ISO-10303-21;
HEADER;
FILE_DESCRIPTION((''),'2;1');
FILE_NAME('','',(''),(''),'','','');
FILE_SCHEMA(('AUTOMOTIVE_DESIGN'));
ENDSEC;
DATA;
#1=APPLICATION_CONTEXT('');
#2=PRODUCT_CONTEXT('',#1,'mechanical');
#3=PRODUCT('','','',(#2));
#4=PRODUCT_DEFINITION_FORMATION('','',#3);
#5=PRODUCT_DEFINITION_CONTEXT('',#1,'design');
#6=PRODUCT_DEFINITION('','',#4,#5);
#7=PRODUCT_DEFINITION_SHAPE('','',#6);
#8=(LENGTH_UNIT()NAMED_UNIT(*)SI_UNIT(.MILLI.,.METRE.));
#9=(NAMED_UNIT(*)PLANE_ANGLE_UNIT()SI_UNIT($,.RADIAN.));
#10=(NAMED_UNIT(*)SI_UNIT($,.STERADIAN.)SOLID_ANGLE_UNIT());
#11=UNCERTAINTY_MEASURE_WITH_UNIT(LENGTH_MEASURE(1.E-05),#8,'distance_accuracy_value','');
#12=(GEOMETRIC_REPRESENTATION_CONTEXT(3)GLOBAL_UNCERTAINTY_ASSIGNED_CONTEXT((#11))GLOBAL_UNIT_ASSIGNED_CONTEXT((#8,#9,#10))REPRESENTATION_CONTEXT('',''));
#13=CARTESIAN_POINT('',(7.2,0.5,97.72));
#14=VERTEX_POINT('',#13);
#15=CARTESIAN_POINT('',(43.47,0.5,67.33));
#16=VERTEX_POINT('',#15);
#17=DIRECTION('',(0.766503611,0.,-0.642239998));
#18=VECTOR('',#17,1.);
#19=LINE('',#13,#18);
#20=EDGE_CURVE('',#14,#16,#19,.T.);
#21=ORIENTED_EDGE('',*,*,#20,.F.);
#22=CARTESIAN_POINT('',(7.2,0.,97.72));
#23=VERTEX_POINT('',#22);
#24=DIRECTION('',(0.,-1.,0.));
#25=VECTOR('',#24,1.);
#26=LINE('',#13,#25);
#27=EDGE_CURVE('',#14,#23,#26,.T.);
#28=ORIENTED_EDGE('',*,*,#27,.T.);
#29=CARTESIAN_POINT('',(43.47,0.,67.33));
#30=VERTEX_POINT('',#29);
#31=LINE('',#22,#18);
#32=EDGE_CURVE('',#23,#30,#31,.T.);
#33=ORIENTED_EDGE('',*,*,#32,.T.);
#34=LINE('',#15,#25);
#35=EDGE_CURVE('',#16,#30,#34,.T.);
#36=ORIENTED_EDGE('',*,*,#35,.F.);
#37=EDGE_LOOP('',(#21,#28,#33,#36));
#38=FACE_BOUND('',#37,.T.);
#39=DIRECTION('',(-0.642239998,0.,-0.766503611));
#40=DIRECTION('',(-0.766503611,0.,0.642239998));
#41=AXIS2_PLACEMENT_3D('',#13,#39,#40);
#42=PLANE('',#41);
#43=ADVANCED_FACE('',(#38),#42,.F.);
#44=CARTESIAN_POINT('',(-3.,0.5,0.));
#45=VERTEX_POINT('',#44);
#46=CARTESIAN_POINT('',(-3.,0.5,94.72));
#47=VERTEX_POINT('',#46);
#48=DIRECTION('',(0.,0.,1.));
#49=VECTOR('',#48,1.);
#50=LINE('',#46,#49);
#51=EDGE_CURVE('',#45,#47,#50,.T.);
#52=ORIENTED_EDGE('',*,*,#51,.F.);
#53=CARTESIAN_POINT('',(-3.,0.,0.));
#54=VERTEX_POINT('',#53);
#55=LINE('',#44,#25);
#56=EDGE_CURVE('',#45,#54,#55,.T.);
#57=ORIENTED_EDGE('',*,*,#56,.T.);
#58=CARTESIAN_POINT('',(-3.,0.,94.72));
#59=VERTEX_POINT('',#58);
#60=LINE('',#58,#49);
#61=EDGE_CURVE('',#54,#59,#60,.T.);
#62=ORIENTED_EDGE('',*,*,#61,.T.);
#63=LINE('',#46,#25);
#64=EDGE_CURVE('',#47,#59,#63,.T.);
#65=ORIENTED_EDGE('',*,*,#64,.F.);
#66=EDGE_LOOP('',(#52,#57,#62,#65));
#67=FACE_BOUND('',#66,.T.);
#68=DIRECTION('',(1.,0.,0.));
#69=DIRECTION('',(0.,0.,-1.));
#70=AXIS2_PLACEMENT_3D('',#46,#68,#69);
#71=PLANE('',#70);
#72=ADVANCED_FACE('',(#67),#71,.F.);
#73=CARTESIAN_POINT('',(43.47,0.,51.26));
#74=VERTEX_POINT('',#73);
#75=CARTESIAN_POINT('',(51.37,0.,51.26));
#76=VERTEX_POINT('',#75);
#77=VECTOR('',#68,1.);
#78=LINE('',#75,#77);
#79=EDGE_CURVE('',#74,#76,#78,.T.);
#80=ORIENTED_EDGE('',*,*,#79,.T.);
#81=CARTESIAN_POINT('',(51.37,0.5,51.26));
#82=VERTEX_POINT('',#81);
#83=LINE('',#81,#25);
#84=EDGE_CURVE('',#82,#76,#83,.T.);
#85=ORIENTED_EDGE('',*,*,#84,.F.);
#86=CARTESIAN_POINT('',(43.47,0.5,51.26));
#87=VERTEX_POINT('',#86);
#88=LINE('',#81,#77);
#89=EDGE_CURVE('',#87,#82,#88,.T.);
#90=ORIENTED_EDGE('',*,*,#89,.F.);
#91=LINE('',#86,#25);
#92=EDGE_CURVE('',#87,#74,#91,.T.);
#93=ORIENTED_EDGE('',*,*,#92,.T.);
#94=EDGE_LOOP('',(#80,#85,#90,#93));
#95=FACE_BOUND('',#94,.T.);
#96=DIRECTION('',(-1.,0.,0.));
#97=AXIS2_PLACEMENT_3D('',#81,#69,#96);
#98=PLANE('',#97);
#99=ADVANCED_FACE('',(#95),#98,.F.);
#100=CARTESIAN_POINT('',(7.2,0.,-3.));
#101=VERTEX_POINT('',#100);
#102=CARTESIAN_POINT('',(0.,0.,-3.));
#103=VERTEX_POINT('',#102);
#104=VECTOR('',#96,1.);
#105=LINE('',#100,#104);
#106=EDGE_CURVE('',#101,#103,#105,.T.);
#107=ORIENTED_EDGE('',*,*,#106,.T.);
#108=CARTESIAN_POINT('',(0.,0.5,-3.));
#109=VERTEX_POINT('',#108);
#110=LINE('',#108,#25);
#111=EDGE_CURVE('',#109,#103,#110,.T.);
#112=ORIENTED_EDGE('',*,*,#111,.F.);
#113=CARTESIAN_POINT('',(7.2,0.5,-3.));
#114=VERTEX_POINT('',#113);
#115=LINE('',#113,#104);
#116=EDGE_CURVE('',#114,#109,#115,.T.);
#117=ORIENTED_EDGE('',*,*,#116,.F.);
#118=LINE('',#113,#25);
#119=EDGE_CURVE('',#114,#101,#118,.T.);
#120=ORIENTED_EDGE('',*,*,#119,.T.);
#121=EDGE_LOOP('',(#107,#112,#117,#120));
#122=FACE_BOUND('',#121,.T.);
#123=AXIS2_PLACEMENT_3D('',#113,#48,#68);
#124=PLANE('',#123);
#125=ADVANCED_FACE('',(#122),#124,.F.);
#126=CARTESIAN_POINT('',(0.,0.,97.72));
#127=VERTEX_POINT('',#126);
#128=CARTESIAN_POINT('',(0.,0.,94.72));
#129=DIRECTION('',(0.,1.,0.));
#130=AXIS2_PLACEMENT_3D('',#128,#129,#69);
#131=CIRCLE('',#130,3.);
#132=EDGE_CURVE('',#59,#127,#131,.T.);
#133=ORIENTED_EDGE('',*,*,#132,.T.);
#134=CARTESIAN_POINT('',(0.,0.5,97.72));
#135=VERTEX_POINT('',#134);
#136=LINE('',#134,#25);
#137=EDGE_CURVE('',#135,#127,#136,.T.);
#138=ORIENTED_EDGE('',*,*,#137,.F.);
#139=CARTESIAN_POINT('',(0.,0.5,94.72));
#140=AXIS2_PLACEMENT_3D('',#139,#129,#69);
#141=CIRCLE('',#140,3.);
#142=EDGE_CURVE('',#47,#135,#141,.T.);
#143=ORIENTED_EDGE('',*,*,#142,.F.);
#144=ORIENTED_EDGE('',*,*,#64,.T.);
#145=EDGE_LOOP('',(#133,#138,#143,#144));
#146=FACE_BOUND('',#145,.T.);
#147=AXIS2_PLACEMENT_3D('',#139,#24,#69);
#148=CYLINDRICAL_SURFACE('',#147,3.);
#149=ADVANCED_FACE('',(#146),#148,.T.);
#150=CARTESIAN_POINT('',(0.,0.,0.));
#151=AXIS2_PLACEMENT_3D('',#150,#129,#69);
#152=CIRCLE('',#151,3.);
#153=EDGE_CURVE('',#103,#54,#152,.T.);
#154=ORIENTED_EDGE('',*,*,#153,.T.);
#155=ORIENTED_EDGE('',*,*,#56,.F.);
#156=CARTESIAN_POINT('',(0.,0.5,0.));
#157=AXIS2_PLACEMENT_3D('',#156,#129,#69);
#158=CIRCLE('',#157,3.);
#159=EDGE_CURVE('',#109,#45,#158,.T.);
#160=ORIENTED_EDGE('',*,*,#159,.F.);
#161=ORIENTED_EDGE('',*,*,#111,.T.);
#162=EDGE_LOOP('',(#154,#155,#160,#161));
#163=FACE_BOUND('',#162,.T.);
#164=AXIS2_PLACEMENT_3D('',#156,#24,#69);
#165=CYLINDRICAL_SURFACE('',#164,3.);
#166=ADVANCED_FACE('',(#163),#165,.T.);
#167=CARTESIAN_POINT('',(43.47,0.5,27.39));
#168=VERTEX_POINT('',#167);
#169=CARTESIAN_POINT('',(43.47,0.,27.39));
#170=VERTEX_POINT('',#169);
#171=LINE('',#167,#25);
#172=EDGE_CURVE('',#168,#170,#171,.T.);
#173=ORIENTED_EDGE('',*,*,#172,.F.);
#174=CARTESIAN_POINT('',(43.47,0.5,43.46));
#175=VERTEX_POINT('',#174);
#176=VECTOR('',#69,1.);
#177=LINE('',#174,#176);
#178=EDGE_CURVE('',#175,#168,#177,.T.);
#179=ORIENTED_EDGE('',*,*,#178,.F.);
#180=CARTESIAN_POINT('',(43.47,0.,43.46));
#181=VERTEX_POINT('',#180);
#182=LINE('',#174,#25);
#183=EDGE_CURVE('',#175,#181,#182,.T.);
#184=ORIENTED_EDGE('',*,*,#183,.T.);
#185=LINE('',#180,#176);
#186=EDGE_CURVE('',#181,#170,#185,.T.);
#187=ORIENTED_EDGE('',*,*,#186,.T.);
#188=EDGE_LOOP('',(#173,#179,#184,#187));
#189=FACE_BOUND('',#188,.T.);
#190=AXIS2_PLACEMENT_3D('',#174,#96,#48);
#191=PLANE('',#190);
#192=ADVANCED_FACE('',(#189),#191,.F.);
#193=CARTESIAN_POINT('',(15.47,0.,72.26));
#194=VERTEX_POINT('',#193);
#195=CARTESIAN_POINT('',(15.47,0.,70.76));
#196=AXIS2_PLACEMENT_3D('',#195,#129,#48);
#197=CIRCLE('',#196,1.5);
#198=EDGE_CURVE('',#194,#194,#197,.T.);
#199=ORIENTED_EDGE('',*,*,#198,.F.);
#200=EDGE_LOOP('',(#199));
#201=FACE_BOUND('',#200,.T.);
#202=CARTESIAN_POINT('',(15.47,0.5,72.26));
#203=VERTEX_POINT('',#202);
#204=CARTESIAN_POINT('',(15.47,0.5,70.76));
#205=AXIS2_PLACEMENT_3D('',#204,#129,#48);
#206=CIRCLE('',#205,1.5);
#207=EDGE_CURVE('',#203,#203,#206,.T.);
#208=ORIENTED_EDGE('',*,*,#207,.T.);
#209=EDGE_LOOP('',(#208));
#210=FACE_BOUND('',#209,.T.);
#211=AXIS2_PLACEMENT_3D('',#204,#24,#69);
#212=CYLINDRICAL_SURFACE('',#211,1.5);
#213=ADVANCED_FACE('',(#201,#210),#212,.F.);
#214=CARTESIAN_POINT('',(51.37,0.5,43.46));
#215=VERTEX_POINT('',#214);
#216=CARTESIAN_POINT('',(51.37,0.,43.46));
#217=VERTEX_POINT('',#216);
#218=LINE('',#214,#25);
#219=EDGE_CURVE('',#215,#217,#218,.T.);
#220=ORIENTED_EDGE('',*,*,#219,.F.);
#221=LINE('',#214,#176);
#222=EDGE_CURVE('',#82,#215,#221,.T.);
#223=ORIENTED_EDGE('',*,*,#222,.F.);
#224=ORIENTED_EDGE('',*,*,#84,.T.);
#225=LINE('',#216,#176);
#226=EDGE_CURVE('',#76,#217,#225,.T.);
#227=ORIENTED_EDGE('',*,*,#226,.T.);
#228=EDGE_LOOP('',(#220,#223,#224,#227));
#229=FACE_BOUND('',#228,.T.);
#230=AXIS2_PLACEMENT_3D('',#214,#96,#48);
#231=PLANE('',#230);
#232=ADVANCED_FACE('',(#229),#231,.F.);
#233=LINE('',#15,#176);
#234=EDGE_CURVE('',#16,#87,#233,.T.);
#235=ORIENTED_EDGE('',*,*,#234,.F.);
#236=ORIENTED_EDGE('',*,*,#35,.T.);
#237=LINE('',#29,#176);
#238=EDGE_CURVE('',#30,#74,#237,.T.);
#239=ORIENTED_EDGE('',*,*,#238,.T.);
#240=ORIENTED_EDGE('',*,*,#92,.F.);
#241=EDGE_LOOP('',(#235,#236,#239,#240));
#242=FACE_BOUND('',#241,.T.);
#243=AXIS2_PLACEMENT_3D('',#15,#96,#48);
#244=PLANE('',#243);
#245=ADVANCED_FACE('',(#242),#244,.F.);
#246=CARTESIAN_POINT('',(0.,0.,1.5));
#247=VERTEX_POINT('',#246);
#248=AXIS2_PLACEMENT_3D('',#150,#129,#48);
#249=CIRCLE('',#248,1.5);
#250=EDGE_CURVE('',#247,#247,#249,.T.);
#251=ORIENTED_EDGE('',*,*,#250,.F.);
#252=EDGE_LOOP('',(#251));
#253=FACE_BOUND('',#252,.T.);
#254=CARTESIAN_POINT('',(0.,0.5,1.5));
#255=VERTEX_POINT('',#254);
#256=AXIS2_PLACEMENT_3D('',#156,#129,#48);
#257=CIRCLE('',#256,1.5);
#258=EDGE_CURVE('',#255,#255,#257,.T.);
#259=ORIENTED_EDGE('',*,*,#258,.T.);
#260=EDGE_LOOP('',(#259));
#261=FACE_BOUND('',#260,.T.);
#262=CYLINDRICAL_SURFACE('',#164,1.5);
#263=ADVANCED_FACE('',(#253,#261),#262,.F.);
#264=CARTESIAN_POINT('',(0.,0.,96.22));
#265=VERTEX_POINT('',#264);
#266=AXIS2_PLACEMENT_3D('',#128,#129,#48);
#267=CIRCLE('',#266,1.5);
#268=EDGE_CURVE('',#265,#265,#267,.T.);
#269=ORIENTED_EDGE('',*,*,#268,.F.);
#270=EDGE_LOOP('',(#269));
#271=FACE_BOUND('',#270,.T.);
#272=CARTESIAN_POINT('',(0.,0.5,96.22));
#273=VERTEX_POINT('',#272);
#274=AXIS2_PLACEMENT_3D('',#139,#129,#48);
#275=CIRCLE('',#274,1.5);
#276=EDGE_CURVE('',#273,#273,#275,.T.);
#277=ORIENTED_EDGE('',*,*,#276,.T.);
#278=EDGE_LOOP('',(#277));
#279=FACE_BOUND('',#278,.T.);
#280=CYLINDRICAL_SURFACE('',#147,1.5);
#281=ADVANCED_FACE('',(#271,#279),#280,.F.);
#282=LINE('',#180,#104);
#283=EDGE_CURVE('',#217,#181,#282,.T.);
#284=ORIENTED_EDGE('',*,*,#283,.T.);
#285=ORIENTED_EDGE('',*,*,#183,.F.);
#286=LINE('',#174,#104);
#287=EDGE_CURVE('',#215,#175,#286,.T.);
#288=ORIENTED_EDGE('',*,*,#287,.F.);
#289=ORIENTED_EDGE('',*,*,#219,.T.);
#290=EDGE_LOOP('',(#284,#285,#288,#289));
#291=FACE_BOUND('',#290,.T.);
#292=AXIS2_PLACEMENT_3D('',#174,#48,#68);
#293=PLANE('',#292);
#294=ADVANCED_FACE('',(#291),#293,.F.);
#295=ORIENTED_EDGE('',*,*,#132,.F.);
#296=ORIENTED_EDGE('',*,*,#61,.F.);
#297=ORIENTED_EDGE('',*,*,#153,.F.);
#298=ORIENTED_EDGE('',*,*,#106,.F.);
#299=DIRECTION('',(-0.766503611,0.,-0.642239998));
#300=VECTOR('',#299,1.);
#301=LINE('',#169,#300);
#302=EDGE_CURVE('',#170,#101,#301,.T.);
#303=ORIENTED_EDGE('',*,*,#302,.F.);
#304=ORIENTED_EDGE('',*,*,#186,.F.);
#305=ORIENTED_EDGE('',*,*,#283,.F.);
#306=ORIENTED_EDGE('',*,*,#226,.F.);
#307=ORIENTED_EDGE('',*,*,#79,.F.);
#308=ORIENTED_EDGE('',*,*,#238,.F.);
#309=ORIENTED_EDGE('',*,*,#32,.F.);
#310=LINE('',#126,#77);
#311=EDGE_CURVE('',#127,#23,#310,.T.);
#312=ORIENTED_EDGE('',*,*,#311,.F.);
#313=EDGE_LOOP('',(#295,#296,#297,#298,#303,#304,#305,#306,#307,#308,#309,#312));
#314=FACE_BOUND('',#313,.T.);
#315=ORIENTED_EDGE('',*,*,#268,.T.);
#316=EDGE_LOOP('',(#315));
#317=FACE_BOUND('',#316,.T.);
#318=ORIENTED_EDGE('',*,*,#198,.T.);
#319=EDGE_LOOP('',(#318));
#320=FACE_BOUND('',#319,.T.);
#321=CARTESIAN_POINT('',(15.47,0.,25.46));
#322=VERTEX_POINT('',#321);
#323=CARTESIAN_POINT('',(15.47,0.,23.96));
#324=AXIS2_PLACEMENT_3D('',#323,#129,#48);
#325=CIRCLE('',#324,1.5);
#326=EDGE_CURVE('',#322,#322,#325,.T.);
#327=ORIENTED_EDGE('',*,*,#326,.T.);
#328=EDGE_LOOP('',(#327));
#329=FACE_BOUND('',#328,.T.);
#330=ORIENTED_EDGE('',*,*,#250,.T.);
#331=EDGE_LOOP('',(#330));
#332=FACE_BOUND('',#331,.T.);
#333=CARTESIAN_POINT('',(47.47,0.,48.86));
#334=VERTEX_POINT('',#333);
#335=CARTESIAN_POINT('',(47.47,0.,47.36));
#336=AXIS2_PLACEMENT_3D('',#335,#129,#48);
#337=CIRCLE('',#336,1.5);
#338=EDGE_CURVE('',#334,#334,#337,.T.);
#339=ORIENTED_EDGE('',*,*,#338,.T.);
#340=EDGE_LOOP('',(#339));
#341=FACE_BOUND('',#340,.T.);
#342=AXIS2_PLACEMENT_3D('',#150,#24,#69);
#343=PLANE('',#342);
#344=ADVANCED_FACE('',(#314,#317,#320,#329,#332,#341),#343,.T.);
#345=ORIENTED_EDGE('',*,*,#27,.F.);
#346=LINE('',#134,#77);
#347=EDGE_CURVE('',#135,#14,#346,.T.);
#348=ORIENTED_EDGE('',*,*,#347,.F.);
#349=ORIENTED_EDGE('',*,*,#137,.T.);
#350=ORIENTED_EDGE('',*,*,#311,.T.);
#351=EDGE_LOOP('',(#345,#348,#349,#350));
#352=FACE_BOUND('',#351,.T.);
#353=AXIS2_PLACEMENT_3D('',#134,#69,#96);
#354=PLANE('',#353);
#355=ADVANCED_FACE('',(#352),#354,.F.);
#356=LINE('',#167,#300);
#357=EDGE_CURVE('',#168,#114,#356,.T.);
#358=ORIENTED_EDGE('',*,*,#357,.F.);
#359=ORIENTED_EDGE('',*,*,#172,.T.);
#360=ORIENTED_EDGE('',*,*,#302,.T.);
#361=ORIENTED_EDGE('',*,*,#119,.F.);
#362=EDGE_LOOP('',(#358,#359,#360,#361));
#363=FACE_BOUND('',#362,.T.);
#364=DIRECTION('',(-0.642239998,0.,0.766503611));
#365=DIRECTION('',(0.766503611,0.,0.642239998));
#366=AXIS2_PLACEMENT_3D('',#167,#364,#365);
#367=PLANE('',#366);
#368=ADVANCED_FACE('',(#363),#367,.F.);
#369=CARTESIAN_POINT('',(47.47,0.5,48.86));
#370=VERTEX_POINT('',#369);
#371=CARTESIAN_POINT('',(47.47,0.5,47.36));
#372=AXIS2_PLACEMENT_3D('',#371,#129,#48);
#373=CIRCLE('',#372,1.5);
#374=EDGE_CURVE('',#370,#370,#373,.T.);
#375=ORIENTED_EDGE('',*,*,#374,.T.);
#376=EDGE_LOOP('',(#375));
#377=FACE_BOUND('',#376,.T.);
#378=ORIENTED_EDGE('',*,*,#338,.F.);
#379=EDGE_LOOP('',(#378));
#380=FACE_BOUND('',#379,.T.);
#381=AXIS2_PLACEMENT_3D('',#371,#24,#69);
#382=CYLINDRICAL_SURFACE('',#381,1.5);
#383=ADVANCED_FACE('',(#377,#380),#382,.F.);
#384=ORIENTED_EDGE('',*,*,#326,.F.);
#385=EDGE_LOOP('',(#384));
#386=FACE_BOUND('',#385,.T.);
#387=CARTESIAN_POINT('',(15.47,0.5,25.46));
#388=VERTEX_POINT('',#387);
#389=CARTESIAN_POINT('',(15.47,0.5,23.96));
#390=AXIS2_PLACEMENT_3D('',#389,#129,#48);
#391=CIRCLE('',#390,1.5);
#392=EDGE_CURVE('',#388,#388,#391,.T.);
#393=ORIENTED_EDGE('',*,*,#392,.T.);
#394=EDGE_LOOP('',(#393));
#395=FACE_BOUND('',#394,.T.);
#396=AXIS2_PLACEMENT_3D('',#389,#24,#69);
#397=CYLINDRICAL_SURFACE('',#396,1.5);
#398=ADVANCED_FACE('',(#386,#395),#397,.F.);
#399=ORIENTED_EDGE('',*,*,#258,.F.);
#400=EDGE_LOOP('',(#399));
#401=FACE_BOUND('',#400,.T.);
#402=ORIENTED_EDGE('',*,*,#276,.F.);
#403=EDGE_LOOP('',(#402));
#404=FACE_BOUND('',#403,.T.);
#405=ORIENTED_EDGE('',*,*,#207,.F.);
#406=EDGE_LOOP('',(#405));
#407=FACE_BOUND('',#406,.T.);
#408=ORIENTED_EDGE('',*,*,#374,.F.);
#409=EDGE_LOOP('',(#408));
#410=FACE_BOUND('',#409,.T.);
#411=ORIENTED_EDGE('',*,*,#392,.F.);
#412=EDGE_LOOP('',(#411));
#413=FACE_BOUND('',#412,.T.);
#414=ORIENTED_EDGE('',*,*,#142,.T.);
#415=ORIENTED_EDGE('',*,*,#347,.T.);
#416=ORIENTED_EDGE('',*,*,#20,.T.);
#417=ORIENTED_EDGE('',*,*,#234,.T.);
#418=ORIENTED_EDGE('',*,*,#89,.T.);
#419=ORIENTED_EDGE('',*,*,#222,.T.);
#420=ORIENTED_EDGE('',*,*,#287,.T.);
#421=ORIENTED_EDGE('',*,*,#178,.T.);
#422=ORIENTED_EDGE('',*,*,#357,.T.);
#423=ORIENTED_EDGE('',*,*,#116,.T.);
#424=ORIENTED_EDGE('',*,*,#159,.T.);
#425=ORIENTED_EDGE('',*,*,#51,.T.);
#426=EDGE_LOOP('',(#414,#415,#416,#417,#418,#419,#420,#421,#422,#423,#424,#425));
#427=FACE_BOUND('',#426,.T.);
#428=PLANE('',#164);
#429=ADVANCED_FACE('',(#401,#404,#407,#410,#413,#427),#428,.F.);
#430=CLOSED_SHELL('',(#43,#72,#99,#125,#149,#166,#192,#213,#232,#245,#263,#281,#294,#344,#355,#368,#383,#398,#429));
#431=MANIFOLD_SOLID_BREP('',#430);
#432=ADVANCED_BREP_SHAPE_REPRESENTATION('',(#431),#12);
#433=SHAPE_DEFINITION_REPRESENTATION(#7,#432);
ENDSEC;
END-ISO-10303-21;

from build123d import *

# Parameters (mm, degrees)
CROQUIS1_R              = 1.5
SALIENTE_EXTRUIR1_DEPTH = 0.5


with BuildPart() as part:
    # Croquis1 → Saliente-Extruir1 (new body)
    with BuildSketch(Plane(origin=(0, 0, 0), x_dir=(1, 0, 0), z_dir=(0, 1, 0))):
        with BuildLine():
            Line((43.47, -43.46), (51.37, -43.46))
            Line((51.37, -43.46), (51.37, -51.26))
            Line((51.37, -51.26), (43.47, -51.26))
            Line((43.47, -51.26), (43.47, -67.33))
            Line((43.47, -67.33), (7.2, -97.72))
            Line((7.2, -97.72), (0, -97.72))
            ThreePointArc((0, -97.72), (-2.121320344, -96.841320344), (-3, -94.72))
            Line((-3, -94.72), (-3, 0))
            ThreePointArc((-3, 0), (-2.121320344, 2.121320344), (0, 3))
            Line((0, 3), (7.2, 3))
            Line((7.2, 3), (43.47, -27.39))
            Line((43.47, -27.39), (43.47, -43.46))
        make_face()
        with Locations(Location((0, 0, 0), (0, 0, 270))):
            Circle(CROQUIS1_R, mode=Mode.SUBTRACT)
        with Locations(Location((0, -94.72, 0), (0, 0, 270))):
            Circle(CROQUIS1_R, mode=Mode.SUBTRACT)
        with Locations(Location((47.47, -47.36, 0), (0, 0, 270))):
            Circle(CROQUIS1_R, mode=Mode.SUBTRACT)
        with Locations(Location((15.47, -23.96, 0), (0, 0, 270))):
            Circle(CROQUIS1_R, mode=Mode.SUBTRACT)
        with Locations(Location((15.47, -70.76, 0), (0, 0, 270))):
            Circle(CROQUIS1_R, mode=Mode.SUBTRACT)
    extrude(amount=SALIENTE_EXTRUIR1_DEPTH)


solid = part.part
